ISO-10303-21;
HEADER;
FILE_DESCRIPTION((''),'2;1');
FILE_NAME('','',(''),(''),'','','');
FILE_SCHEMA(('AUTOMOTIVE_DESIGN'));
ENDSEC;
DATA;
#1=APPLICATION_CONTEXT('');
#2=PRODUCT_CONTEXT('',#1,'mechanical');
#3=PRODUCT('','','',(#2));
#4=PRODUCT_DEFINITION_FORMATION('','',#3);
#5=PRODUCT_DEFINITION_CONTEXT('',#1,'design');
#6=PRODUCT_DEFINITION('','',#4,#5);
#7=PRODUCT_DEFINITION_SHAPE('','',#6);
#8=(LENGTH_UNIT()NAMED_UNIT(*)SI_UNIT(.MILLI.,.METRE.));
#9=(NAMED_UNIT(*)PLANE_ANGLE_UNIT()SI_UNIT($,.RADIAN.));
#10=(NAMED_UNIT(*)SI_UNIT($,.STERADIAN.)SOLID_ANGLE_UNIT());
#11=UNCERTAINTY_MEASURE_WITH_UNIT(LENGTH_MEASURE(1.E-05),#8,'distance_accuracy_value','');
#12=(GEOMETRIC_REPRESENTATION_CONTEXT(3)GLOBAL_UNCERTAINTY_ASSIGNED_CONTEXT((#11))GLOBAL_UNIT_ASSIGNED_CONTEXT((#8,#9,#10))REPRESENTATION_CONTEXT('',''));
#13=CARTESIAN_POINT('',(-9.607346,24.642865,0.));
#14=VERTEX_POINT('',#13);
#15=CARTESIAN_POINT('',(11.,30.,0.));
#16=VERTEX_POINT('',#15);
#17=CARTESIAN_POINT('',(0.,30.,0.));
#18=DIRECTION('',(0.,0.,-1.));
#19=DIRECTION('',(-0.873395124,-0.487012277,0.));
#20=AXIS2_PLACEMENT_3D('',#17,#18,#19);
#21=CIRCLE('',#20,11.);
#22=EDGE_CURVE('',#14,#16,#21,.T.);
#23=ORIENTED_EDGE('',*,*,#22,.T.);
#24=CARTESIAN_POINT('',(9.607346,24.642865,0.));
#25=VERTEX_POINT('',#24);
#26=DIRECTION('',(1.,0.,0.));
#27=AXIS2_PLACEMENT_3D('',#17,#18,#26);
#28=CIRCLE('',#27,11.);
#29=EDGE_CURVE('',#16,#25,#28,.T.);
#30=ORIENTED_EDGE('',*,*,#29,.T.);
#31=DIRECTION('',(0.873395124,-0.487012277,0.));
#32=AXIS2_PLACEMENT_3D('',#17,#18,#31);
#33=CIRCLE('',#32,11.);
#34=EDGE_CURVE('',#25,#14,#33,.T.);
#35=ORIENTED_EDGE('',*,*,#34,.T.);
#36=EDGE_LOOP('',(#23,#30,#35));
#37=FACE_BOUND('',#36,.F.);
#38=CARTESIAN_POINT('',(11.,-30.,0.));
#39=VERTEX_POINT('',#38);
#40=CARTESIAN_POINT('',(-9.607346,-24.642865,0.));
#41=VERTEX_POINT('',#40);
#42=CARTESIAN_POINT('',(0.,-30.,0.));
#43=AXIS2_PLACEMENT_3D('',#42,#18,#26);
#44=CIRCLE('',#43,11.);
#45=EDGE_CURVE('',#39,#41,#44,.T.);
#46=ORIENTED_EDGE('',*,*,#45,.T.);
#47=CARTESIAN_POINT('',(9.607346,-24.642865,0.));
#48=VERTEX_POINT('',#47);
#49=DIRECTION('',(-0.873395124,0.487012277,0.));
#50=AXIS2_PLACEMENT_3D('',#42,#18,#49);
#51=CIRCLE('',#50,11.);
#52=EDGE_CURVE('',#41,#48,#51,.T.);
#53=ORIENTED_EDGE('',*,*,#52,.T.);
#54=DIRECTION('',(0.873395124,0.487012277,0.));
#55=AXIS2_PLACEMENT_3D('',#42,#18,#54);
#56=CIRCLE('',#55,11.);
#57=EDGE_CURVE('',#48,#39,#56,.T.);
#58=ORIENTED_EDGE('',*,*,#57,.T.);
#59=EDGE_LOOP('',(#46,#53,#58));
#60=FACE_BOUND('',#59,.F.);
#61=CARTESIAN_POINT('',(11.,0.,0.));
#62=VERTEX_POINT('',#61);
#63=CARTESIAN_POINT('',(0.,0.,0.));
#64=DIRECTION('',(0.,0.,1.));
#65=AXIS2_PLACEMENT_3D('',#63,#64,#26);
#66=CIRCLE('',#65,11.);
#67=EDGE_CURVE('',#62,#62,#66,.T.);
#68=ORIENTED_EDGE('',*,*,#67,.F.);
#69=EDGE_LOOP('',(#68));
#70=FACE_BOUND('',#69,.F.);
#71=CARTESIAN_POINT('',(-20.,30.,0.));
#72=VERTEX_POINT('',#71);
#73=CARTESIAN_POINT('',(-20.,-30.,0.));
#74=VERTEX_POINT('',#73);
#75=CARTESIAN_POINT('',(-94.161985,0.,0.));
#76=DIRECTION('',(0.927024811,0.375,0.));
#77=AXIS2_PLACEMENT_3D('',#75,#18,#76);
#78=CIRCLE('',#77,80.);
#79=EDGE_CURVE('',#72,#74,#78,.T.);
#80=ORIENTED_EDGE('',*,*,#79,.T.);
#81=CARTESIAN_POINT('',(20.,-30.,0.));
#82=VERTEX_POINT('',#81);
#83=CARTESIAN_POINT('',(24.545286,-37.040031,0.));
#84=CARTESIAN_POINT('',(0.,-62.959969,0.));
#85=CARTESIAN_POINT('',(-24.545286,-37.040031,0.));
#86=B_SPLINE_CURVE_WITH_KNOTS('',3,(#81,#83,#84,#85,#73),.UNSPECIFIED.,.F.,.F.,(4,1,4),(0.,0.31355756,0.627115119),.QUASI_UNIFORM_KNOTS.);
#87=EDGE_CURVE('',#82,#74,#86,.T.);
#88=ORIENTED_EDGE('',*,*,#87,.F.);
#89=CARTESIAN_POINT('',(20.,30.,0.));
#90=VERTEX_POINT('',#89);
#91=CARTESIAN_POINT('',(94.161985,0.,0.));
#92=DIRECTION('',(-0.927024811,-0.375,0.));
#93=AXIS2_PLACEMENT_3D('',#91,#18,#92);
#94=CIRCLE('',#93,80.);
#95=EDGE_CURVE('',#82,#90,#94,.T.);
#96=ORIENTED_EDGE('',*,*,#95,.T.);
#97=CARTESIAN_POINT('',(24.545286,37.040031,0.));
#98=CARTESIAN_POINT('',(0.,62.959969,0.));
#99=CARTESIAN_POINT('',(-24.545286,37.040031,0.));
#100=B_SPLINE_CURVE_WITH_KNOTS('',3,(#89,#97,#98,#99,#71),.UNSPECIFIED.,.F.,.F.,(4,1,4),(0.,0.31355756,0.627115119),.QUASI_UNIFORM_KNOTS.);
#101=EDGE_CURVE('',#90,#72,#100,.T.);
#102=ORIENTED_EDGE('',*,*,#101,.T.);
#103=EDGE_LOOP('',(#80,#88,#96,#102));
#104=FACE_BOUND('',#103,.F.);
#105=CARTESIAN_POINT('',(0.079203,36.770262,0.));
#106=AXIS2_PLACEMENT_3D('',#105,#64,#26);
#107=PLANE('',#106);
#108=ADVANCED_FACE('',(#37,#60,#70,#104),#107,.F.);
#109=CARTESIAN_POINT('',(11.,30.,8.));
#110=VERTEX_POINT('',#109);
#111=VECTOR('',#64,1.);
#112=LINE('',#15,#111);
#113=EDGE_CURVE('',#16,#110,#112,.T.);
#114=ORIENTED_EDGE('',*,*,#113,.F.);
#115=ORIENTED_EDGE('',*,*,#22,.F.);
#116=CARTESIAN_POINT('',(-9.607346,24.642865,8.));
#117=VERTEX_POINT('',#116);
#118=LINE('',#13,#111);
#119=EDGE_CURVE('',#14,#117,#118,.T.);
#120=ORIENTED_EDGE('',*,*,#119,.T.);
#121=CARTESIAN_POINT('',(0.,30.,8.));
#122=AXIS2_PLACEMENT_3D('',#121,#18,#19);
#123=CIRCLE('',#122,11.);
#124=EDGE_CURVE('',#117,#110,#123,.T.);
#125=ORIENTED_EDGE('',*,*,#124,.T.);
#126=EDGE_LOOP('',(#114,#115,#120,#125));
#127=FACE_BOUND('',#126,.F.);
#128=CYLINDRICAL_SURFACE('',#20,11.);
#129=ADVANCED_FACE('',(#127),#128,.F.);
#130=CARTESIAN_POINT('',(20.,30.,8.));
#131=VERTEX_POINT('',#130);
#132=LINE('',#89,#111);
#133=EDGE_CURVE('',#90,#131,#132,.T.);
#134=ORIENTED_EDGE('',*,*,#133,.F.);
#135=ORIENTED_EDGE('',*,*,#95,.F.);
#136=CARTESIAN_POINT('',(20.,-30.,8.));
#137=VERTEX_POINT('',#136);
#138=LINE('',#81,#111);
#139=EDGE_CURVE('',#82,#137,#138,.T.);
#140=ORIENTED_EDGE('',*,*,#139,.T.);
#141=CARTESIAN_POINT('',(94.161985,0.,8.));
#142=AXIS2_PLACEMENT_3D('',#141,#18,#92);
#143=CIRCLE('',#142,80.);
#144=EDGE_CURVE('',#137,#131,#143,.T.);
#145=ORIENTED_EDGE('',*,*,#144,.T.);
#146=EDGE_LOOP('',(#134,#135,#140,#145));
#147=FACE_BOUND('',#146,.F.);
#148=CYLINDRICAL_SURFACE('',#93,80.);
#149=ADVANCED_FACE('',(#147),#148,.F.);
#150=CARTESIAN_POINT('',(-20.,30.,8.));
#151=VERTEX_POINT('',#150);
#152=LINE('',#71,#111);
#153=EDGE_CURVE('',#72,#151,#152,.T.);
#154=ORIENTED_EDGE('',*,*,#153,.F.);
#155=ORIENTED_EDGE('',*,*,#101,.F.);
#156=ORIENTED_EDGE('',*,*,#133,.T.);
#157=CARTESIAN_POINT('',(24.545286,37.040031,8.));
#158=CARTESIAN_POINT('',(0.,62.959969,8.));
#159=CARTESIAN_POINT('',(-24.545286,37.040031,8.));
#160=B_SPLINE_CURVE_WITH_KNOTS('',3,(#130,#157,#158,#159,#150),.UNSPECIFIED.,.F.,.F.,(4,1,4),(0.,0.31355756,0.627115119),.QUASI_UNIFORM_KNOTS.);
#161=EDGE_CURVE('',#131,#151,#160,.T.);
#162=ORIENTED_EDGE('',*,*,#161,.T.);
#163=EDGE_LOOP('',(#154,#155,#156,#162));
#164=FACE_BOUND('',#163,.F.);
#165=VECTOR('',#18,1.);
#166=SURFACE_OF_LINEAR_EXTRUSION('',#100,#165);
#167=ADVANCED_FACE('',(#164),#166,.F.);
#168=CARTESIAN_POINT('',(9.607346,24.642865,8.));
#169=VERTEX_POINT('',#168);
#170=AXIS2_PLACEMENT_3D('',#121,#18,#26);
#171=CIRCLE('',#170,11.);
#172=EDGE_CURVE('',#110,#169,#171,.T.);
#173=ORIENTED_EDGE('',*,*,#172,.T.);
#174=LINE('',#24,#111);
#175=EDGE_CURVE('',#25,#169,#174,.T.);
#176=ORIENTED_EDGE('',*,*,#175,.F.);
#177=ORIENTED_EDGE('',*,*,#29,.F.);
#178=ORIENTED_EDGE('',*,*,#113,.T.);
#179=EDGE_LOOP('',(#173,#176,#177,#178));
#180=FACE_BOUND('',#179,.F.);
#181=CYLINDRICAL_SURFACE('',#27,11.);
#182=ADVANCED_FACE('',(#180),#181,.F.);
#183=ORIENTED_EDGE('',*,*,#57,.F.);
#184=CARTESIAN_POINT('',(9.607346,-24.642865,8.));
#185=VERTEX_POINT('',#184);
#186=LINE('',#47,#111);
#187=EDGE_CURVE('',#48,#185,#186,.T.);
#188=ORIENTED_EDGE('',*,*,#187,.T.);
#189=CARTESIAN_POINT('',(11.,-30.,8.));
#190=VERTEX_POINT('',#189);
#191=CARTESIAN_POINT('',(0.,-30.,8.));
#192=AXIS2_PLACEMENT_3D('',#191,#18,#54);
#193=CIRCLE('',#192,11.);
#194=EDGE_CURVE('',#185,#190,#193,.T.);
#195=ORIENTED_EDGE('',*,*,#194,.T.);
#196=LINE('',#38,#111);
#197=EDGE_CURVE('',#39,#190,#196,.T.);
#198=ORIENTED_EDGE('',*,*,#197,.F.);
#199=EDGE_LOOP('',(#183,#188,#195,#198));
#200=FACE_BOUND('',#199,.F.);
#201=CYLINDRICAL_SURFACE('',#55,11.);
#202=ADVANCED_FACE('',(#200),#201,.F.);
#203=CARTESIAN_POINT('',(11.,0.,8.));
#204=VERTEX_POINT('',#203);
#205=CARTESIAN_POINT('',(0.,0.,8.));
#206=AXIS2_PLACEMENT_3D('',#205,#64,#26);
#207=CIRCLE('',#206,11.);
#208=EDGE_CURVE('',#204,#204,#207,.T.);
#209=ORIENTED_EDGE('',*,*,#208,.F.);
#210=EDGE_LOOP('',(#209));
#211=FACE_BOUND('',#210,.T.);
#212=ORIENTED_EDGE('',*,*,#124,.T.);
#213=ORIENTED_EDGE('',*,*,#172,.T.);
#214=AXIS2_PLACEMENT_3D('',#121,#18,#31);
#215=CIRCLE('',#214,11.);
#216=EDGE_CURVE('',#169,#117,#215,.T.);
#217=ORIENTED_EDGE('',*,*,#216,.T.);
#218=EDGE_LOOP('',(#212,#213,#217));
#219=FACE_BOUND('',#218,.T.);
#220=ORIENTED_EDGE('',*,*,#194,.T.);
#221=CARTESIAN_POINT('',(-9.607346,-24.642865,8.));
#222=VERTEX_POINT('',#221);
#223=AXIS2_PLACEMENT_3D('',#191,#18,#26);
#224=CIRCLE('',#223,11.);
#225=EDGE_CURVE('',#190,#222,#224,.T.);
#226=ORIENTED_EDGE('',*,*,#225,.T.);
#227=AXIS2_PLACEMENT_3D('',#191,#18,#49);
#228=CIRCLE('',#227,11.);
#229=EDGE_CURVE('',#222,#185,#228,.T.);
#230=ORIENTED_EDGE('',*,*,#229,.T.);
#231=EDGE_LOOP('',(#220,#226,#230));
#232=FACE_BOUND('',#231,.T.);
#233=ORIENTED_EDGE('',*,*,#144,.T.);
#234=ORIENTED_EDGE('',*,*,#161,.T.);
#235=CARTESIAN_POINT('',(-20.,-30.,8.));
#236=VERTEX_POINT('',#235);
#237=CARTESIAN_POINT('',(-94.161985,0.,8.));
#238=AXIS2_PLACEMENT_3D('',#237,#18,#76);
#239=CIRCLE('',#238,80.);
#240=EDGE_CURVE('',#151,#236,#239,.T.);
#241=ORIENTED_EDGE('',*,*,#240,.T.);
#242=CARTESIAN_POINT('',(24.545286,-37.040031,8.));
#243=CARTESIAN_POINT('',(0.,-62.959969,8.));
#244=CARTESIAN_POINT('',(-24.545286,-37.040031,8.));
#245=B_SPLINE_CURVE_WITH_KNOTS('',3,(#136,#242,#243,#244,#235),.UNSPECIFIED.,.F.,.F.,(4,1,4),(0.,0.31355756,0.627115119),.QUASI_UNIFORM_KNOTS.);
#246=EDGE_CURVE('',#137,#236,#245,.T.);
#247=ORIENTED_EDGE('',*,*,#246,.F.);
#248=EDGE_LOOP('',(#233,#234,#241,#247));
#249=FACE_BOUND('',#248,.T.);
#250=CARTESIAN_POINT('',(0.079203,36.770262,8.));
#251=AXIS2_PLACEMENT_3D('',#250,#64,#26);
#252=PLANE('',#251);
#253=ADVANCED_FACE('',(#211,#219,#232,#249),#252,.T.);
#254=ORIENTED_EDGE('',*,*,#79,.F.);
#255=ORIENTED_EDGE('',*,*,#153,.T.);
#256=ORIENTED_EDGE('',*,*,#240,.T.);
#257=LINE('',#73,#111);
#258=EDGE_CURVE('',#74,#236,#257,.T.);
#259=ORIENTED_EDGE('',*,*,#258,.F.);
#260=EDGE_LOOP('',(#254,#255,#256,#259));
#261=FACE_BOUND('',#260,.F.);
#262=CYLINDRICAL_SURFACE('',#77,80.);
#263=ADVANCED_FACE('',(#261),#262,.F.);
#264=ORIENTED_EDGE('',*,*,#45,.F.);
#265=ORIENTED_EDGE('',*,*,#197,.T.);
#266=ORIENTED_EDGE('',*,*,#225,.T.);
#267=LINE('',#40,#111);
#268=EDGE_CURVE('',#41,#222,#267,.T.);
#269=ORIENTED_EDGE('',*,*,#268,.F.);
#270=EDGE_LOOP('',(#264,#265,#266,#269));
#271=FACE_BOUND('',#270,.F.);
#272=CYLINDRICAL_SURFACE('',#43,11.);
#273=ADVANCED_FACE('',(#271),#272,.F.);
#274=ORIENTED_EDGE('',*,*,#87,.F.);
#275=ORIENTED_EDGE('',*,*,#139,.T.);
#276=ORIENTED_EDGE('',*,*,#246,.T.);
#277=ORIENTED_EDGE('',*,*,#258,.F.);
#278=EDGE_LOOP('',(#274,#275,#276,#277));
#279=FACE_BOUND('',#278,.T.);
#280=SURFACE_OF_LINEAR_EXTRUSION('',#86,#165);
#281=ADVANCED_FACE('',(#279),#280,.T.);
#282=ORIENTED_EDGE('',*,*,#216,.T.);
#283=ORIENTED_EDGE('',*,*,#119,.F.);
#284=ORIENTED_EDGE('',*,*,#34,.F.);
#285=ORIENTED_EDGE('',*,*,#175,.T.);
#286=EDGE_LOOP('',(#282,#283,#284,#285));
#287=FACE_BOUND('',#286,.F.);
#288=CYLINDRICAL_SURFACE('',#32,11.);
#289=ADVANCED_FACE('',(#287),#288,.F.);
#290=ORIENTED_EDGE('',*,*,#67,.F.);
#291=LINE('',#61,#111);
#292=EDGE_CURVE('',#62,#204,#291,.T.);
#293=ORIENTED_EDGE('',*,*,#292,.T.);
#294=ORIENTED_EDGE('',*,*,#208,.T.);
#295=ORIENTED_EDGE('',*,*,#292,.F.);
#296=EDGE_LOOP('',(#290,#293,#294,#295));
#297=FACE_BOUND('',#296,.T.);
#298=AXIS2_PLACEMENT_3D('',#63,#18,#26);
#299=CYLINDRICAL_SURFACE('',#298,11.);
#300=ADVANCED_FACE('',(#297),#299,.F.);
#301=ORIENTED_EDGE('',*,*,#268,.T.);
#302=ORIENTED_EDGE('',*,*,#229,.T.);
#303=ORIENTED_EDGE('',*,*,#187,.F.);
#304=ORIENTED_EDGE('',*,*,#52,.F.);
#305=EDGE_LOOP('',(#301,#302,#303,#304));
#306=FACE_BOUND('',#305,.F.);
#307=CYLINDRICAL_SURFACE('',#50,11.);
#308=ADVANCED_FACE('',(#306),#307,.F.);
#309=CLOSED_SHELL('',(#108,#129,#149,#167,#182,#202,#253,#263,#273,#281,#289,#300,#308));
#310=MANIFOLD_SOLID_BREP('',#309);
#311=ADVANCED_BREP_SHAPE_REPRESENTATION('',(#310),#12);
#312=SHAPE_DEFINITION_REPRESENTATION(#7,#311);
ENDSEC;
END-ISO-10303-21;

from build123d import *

# Parameters (mm, degrees)
F0_R     = 11
F1_DEPTH = 8


with BuildPart() as f1:
    # F0 (on Top) → F1 (new body)
    with BuildSketch(Plane.XY):
        with BuildLine():
            ThreePointArc((-9.6073463611, 24.6428649543), (-2.7675973359, 40.6461450763), (11, 30))
            ThreePointArc((11, 30), (10.6461450763, 27.2324026641), (9.6073463611, 24.6428649543))
            add(Edge.make_bspline(
                [(9.6073463611, 24.6428649543), (14.4035735746, 25.6322402973), (18.3329413126, 27.4179519792), (20, 30)],
                knots=[0.8849975762, 0.8849975762, 0.8849975762, 0.8849975762, 1, 1, 1, 1], degree=3))
            add(Edge.make_bspline(
                [(20, 30), (24.5452855367, 37.0400314114), (0, 62.9599685886), (-24.5452855367, 37.0400314114), (-20, 30)],
                knots=[0, 0, 0, 0, 0.3135575596, 0.6271151192, 0.6271151192, 0.6271151192, 0.6271151192], degree=3))
            add(Edge.make_bspline(
                [(-20, 30), (-18.3329413126, 27.4179519792), (-14.4035735746, 25.6322402973), (-9.6073463611, 24.6428649543)],
                knots=[0.6271151192, 0.6271151192, 0.6271151192, 0.6271151192, 0.742117543, 0.742117543, 0.742117543, 0.742117543], degree=3))
        make_face()
        with BuildLine():
            ThreePointArc((9.6073463611, 24.6428649543), (0, 19), (-9.6073463611, 24.6428649543))
            add(Edge.make_bspline(
                [(-20, 30), (-18.3329413126, 27.4179519792), (-14.4035735746, 25.6322402973), (-9.6073463611, 24.6428649543)],
                knots=[0.6271151192, 0.6271151192, 0.6271151192, 0.6271151192, 0.742117543, 0.742117543, 0.742117543, 0.742117543], degree=3))
            ThreePointArc((-20, 30), (-14.161984871, 0), (-20, -30))
            add(Edge.make_bspline(
                [(-20, -30), (-18.3329413126, -27.4179519792), (-14.4035735746, -25.6322402973), (-9.6073463611, -24.6428649543)],
                knots=[0.6271151192, 0.6271151192, 0.6271151192, 0.6271151192, 0.742117543, 0.742117543, 0.742117543, 0.742117543], degree=3))
            ThreePointArc((-9.6073463611, -24.6428649543), (0, -19), (9.6073463611, -24.6428649543))
            add(Edge.make_bspline(
                [(9.6073463611, -24.6428649543), (14.4035735746, -25.6322402973), (18.3329413126, -27.4179519792), (20, -30)],
                knots=[0.8849975762, 0.8849975762, 0.8849975762, 0.8849975762, 1, 1, 1, 1], degree=3))
            ThreePointArc((20, -30), (14.161984871, 0), (20, 30))
            add(Edge.make_bspline(
                [(9.6073463611, 24.6428649543), (14.4035735746, 25.6322402973), (18.3329413126, 27.4179519792), (20, 30)],
                knots=[0.8849975762, 0.8849975762, 0.8849975762, 0.8849975762, 1, 1, 1, 1], degree=3))
        make_face()
        Circle(F0_R, mode=Mode.SUBTRACT)
        with BuildLine():
            add(Edge.make_bspline(
                [(-20, -30), (-18.3329413126, -27.4179519792), (-14.4035735746, -25.6322402973), (-9.6073463611, -24.6428649543)],
                knots=[0.6271151192, 0.6271151192, 0.6271151192, 0.6271151192, 0.742117543, 0.742117543, 0.742117543, 0.742117543], degree=3))
            add(Edge.make_bspline(
                [(20, -30), (24.5452855367, -37.0400314114), (0, -62.9599685886), (-24.5452855367, -37.0400314114), (-20, -30)],
                knots=[0, 0, 0, 0, 0.3135575596, 0.6271151192, 0.6271151192, 0.6271151192, 0.6271151192], degree=3))
            add(Edge.make_bspline(
                [(9.6073463611, -24.6428649543), (14.4035735746, -25.6322402973), (18.3329413126, -27.4179519792), (20, -30)],
                knots=[0.8849975762, 0.8849975762, 0.8849975762, 0.8849975762, 1, 1, 1, 1], degree=3))
            ThreePointArc((9.6073463611, -24.6428649543), (10.6461450763, -27.2324026641), (11, -30))
            ThreePointArc((11, -30), (-2.7675973359, -40.6461450763), (-9.6073463611, -24.6428649543))
        make_face()
    extrude(amount=F1_DEPTH)


solid = f1.part
